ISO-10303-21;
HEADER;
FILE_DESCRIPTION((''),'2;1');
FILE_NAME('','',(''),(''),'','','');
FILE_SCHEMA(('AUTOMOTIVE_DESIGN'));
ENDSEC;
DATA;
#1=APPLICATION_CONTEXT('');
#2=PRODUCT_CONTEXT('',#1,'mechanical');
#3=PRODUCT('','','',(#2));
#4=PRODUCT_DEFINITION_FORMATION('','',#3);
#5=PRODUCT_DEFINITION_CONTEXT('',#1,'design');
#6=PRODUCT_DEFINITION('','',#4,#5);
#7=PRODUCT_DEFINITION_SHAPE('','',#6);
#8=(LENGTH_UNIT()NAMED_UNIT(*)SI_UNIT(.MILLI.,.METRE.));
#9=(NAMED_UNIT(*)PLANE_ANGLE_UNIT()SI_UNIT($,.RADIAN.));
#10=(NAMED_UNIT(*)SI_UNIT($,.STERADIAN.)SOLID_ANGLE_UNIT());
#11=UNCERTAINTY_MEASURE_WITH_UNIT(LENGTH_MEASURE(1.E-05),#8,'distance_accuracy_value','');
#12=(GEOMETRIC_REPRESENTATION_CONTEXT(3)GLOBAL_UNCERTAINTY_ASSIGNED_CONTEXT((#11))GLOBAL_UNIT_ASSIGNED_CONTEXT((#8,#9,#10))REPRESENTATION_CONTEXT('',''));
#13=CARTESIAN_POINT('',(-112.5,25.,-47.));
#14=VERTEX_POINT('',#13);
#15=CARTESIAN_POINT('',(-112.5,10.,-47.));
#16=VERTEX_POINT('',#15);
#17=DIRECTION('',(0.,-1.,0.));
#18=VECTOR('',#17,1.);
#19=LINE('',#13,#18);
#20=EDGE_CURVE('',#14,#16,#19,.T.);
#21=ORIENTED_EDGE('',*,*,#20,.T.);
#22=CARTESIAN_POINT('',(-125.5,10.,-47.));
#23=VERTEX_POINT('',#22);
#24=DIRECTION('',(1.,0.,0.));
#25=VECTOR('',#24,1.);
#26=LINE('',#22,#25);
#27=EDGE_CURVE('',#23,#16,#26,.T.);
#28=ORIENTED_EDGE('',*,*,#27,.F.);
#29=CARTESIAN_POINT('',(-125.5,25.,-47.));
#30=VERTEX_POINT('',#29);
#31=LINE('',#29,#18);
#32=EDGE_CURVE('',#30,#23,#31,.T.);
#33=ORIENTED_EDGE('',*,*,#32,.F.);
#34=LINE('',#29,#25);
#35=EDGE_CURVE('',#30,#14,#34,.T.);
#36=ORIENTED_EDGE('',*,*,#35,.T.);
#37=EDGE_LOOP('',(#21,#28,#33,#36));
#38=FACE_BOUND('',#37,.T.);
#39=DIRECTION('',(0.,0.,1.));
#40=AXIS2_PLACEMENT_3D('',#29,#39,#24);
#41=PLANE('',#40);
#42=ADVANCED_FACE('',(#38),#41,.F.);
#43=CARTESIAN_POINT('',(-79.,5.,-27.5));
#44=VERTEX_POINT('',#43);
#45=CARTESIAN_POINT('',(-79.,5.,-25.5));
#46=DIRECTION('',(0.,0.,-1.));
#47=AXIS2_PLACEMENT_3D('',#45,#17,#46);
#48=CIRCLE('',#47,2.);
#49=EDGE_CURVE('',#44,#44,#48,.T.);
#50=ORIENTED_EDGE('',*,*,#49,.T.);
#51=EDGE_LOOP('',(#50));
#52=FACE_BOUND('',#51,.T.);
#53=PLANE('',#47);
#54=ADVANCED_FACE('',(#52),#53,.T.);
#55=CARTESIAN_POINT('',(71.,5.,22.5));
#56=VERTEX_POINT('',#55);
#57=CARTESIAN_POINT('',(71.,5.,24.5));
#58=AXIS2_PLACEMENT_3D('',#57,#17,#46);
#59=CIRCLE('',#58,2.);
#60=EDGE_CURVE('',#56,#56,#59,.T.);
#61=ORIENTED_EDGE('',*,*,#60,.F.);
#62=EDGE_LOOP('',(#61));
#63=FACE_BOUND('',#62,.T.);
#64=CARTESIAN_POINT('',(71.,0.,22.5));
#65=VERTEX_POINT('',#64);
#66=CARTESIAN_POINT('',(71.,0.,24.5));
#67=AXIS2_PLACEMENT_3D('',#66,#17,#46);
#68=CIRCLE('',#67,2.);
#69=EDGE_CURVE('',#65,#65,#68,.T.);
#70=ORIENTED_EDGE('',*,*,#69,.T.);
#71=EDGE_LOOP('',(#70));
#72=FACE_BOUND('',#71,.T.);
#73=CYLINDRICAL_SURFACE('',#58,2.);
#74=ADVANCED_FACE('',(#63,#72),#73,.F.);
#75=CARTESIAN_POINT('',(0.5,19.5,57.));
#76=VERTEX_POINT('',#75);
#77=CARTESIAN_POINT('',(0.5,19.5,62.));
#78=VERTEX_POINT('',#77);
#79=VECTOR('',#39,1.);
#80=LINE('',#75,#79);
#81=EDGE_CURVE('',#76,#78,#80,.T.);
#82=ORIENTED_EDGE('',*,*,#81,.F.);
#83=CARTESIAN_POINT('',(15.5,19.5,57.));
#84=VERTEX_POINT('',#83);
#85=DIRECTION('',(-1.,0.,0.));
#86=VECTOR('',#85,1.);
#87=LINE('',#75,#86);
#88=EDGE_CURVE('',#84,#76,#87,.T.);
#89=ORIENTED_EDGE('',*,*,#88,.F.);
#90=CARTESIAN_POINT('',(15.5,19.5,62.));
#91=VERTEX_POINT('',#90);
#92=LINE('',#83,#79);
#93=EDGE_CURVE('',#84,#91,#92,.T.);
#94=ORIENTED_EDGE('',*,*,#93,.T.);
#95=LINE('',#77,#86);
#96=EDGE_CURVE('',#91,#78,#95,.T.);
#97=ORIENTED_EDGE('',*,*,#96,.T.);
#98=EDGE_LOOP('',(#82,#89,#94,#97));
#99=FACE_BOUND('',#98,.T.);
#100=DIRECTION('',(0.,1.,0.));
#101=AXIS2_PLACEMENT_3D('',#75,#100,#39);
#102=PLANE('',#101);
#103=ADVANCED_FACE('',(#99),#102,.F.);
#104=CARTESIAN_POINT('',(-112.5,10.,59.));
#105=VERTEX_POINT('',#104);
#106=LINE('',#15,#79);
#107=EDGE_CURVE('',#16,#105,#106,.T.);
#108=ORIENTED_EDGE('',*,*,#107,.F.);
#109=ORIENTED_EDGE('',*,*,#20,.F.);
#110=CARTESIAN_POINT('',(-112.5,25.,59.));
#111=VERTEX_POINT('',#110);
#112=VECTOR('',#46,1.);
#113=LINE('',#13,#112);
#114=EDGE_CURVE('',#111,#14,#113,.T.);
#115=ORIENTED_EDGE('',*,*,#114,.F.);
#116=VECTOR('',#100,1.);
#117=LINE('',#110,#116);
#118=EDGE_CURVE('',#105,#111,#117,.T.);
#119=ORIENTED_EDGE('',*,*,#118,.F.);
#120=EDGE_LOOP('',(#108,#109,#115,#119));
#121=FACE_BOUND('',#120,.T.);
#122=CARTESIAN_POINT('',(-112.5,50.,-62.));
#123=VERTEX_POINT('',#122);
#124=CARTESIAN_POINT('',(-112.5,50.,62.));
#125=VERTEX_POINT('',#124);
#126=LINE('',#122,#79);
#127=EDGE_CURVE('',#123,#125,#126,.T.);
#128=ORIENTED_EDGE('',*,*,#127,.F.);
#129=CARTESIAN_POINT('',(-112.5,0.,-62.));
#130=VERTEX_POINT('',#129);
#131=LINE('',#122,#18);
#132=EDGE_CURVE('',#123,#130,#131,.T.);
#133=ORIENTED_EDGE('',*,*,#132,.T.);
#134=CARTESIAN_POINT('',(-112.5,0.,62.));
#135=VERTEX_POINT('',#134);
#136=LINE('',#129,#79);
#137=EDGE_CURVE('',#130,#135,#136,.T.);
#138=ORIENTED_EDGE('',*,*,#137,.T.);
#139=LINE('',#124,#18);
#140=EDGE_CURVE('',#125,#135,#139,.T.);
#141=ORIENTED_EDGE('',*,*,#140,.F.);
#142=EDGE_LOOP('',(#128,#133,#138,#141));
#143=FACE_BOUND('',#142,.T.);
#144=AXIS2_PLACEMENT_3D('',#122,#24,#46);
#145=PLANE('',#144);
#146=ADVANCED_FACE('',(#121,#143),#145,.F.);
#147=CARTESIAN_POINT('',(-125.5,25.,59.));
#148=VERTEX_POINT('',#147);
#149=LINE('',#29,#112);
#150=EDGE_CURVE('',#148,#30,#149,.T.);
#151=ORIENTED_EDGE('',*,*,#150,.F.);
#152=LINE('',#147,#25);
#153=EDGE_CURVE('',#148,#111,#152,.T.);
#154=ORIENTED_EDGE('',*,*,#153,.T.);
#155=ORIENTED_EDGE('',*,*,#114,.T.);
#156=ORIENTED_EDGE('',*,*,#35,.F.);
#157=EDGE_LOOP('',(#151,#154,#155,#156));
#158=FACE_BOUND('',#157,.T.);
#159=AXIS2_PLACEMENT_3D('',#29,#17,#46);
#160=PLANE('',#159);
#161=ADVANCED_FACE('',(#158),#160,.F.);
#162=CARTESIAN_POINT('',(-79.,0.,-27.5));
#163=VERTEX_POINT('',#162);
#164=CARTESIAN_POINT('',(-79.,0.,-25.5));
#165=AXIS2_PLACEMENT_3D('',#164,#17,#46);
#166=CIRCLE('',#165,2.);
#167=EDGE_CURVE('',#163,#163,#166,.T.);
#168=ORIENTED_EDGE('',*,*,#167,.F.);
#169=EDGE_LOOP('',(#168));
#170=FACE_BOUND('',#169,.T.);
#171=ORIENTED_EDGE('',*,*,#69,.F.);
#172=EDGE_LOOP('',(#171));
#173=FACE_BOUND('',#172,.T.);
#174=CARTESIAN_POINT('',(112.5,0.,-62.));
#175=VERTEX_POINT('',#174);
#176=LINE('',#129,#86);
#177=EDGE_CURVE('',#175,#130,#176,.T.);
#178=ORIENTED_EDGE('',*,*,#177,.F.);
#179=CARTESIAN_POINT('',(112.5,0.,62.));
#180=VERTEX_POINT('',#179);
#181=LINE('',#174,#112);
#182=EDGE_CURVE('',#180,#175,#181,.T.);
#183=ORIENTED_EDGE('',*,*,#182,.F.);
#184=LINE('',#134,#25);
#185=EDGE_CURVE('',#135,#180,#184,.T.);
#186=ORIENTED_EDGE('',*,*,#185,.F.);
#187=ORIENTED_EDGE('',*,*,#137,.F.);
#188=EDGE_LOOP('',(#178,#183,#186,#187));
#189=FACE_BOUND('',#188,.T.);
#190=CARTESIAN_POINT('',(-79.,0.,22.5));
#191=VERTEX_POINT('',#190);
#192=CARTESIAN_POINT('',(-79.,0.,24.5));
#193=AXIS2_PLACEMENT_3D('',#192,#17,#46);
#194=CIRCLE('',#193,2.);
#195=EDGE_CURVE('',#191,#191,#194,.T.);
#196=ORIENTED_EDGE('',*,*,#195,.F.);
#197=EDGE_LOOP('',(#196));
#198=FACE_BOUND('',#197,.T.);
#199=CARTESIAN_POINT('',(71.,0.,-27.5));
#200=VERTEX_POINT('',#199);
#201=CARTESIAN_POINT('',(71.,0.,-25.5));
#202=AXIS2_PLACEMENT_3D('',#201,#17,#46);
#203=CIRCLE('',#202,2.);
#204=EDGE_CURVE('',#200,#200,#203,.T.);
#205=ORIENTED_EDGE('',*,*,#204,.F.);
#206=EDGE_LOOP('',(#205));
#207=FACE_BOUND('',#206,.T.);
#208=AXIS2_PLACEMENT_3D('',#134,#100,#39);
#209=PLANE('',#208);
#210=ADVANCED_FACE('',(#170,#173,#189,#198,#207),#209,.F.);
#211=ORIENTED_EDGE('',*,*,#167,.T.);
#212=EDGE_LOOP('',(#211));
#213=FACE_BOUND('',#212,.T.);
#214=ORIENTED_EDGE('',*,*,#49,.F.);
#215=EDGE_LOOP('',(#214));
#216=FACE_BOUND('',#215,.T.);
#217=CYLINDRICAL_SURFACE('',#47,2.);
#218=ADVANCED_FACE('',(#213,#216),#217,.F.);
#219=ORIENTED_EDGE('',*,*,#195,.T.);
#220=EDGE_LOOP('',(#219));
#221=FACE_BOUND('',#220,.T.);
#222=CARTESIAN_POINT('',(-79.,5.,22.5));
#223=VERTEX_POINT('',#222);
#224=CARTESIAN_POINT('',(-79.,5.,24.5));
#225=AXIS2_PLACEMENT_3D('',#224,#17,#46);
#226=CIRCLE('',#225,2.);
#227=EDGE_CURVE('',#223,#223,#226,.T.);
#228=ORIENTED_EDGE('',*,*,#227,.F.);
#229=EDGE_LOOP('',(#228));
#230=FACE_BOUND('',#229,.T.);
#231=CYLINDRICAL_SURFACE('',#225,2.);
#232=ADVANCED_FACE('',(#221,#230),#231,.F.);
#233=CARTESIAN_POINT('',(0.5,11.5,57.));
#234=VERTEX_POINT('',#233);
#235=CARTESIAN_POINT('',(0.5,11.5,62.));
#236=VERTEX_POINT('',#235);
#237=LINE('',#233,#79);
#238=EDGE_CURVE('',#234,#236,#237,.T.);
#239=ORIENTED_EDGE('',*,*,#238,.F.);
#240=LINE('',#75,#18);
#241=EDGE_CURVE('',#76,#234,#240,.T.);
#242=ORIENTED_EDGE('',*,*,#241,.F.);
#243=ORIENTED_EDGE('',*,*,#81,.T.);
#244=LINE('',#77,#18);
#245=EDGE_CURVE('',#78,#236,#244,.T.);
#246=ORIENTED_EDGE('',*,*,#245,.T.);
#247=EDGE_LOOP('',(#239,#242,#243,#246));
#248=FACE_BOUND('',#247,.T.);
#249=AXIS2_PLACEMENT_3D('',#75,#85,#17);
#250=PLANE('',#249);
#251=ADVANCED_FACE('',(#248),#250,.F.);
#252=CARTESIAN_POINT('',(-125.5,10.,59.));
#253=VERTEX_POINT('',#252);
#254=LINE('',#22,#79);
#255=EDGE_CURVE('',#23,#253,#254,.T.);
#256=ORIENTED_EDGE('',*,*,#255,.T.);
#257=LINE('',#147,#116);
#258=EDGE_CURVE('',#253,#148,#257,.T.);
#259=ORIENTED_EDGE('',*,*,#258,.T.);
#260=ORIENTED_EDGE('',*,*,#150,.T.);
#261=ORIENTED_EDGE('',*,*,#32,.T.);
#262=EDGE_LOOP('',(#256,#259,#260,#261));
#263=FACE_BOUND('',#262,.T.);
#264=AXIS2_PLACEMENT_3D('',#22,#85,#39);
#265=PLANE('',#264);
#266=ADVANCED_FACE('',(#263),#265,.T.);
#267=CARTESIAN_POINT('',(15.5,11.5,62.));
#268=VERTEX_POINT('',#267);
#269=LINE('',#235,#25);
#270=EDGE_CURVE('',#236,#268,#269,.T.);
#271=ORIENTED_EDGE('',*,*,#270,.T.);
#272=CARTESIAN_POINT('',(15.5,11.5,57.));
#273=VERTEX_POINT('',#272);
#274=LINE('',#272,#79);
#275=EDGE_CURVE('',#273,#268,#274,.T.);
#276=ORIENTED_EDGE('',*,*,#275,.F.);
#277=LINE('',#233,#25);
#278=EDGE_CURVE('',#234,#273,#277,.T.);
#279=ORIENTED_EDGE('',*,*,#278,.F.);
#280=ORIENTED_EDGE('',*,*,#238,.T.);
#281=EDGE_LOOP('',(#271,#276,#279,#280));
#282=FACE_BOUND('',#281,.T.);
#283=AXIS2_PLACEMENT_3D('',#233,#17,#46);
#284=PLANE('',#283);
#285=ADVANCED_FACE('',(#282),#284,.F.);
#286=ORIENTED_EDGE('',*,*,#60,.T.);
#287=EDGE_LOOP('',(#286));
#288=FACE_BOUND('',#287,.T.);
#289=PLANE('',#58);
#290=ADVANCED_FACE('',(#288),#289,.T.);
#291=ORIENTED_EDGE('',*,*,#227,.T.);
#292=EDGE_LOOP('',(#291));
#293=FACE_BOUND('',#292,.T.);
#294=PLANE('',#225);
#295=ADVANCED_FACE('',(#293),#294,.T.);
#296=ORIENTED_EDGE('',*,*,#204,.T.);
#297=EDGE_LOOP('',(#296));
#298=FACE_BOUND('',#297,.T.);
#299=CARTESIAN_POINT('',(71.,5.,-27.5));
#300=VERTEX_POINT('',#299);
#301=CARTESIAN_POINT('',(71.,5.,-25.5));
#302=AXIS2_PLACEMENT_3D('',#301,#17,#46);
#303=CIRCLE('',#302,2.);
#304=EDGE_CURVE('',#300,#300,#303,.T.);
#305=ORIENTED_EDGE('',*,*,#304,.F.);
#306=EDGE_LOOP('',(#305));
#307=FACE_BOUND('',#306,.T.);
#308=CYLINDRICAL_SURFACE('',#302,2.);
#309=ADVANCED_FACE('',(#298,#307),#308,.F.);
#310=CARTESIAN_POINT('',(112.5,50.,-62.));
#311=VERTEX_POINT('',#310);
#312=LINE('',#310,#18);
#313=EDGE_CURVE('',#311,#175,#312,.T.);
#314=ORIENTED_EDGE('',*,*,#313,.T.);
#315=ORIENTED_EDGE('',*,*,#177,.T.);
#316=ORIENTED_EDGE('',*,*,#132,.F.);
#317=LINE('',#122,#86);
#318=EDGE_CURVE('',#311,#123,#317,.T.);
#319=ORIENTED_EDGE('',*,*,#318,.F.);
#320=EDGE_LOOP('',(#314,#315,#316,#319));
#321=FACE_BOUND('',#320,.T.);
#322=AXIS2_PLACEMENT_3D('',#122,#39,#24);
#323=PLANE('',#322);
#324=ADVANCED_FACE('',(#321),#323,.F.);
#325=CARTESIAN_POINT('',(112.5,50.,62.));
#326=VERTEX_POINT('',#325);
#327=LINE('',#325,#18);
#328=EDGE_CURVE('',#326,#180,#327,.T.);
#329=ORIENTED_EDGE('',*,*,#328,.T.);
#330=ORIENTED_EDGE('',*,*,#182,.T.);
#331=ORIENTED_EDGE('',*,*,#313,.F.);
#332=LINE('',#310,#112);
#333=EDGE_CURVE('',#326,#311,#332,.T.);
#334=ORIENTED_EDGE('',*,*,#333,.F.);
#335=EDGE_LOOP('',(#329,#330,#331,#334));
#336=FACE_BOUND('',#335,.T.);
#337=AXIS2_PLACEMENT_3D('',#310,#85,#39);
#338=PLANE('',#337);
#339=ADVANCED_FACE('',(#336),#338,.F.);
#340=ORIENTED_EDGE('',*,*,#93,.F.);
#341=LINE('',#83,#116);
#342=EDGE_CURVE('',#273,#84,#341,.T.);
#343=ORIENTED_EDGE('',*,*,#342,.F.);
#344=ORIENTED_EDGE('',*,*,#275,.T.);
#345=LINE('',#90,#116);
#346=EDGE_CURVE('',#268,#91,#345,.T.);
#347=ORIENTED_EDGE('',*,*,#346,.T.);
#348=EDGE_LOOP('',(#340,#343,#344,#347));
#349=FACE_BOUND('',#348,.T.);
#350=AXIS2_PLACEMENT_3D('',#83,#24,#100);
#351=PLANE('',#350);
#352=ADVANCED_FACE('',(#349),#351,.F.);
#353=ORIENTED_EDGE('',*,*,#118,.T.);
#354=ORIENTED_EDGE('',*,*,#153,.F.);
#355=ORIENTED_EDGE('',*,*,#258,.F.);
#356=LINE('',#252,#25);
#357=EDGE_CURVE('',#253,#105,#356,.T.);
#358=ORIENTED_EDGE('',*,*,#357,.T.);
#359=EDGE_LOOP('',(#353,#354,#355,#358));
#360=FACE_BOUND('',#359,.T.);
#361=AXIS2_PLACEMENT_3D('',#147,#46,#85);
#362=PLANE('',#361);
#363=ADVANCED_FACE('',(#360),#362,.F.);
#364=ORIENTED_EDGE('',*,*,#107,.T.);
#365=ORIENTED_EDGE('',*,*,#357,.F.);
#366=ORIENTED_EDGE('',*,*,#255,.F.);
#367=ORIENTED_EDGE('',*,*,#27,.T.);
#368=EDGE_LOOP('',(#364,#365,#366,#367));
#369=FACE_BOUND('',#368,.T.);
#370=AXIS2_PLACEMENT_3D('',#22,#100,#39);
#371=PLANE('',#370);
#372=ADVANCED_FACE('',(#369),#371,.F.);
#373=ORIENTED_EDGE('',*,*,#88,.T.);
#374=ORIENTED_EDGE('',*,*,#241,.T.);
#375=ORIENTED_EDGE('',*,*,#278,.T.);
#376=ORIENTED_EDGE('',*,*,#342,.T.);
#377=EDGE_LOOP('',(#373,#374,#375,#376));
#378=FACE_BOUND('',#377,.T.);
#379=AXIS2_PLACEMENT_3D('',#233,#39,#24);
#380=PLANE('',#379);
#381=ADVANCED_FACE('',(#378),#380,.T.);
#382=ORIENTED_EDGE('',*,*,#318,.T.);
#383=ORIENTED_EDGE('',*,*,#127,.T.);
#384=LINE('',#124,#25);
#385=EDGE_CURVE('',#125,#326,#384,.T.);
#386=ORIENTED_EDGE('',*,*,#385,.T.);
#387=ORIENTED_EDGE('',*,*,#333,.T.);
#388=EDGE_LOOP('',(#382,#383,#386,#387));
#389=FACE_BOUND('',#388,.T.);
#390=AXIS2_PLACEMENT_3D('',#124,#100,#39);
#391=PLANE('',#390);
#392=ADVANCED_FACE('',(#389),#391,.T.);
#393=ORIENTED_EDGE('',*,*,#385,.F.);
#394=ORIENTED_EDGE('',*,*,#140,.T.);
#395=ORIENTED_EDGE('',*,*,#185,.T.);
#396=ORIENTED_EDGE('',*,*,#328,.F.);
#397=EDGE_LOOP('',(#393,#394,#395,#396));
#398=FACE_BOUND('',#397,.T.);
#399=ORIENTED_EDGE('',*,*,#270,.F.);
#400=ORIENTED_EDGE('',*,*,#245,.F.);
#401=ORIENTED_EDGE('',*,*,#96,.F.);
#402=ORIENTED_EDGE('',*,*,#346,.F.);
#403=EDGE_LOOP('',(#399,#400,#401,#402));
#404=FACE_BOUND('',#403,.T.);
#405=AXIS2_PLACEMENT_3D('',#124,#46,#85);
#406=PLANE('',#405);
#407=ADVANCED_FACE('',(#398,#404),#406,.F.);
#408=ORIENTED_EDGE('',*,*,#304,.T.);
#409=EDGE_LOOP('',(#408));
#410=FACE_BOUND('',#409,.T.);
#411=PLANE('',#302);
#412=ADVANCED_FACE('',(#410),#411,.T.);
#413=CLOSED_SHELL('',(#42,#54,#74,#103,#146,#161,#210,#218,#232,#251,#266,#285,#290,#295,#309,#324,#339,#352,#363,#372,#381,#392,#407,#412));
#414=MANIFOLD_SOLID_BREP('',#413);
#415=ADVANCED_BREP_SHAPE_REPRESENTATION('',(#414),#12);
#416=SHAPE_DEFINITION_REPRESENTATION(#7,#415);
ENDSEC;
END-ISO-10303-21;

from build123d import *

# Parameters (mm, degrees)
SKETCH1_W           = 225
SKETCH1_H           = 124
BOSS_EXTRUDE1_DEPTH = 50
SKETCH3_R           = 2
CUT_EXTRUDE2_DEPTH  = 5
SKETCH4_W           = 15
SKETCH4_H           = 8
CUT_EXTRUDE3_DEPTH  = 5
SKETCH5_W           = 106
SKETCH5_H           = 15
BOSS_EXTRUDE2_DEPTH = 13


with BuildPart() as part:
    # Sketch1 → Boss-Extrude1 (new body)
    with BuildSketch(Plane(origin=(0, 0, 0), x_dir=(1, 0, 0), z_dir=(0, 1, 0))):
        Rectangle(SKETCH1_W, SKETCH1_H)
    extrude(amount=BOSS_EXTRUDE1_DEPTH)

    # Sketch3 → Cut-Extrude2 (cut)
    with BuildSketch(Plane.XZ):
        with Locations(Location((-79, -25.5, 0), (0, 0, 270))):  # turned: the seam where the file's is
            Circle(SKETCH3_R)
        with Locations(Location((-79, 24.5, 0), (0, 0, 270))):  # turned: the seam where the file's is
            Circle(SKETCH3_R)
        with Locations(Location((71, -25.5, 0), (0, 0, 270))):  # turned: the seam where the file's is
            Circle(SKETCH3_R)
        with Locations(Location((71, 24.5, 0), (0, 0, 270))):  # turned: the seam where the file's is
            Circle(SKETCH3_R)
    extrude(amount=-CUT_EXTRUDE2_DEPTH, mode=Mode.SUBTRACT)

    # Sketch4 → Cut-Extrude3 (cut)
    with BuildSketch(Plane.XY.offset(62)):
        with Locations((8, 15.5)):
            Rectangle(SKETCH4_W, SKETCH4_H)
    extrude(amount=-CUT_EXTRUDE3_DEPTH, mode=Mode.SUBTRACT)

    # Sketch5 → Boss-Extrude2 (add)
    with BuildSketch(Plane.ZY.offset(112.5)):
        with Locations((6, 17.5)):
            Rectangle(SKETCH5_W, SKETCH5_H)
    extrude(amount=BOSS_EXTRUDE2_DEPTH)


solid = part.part
